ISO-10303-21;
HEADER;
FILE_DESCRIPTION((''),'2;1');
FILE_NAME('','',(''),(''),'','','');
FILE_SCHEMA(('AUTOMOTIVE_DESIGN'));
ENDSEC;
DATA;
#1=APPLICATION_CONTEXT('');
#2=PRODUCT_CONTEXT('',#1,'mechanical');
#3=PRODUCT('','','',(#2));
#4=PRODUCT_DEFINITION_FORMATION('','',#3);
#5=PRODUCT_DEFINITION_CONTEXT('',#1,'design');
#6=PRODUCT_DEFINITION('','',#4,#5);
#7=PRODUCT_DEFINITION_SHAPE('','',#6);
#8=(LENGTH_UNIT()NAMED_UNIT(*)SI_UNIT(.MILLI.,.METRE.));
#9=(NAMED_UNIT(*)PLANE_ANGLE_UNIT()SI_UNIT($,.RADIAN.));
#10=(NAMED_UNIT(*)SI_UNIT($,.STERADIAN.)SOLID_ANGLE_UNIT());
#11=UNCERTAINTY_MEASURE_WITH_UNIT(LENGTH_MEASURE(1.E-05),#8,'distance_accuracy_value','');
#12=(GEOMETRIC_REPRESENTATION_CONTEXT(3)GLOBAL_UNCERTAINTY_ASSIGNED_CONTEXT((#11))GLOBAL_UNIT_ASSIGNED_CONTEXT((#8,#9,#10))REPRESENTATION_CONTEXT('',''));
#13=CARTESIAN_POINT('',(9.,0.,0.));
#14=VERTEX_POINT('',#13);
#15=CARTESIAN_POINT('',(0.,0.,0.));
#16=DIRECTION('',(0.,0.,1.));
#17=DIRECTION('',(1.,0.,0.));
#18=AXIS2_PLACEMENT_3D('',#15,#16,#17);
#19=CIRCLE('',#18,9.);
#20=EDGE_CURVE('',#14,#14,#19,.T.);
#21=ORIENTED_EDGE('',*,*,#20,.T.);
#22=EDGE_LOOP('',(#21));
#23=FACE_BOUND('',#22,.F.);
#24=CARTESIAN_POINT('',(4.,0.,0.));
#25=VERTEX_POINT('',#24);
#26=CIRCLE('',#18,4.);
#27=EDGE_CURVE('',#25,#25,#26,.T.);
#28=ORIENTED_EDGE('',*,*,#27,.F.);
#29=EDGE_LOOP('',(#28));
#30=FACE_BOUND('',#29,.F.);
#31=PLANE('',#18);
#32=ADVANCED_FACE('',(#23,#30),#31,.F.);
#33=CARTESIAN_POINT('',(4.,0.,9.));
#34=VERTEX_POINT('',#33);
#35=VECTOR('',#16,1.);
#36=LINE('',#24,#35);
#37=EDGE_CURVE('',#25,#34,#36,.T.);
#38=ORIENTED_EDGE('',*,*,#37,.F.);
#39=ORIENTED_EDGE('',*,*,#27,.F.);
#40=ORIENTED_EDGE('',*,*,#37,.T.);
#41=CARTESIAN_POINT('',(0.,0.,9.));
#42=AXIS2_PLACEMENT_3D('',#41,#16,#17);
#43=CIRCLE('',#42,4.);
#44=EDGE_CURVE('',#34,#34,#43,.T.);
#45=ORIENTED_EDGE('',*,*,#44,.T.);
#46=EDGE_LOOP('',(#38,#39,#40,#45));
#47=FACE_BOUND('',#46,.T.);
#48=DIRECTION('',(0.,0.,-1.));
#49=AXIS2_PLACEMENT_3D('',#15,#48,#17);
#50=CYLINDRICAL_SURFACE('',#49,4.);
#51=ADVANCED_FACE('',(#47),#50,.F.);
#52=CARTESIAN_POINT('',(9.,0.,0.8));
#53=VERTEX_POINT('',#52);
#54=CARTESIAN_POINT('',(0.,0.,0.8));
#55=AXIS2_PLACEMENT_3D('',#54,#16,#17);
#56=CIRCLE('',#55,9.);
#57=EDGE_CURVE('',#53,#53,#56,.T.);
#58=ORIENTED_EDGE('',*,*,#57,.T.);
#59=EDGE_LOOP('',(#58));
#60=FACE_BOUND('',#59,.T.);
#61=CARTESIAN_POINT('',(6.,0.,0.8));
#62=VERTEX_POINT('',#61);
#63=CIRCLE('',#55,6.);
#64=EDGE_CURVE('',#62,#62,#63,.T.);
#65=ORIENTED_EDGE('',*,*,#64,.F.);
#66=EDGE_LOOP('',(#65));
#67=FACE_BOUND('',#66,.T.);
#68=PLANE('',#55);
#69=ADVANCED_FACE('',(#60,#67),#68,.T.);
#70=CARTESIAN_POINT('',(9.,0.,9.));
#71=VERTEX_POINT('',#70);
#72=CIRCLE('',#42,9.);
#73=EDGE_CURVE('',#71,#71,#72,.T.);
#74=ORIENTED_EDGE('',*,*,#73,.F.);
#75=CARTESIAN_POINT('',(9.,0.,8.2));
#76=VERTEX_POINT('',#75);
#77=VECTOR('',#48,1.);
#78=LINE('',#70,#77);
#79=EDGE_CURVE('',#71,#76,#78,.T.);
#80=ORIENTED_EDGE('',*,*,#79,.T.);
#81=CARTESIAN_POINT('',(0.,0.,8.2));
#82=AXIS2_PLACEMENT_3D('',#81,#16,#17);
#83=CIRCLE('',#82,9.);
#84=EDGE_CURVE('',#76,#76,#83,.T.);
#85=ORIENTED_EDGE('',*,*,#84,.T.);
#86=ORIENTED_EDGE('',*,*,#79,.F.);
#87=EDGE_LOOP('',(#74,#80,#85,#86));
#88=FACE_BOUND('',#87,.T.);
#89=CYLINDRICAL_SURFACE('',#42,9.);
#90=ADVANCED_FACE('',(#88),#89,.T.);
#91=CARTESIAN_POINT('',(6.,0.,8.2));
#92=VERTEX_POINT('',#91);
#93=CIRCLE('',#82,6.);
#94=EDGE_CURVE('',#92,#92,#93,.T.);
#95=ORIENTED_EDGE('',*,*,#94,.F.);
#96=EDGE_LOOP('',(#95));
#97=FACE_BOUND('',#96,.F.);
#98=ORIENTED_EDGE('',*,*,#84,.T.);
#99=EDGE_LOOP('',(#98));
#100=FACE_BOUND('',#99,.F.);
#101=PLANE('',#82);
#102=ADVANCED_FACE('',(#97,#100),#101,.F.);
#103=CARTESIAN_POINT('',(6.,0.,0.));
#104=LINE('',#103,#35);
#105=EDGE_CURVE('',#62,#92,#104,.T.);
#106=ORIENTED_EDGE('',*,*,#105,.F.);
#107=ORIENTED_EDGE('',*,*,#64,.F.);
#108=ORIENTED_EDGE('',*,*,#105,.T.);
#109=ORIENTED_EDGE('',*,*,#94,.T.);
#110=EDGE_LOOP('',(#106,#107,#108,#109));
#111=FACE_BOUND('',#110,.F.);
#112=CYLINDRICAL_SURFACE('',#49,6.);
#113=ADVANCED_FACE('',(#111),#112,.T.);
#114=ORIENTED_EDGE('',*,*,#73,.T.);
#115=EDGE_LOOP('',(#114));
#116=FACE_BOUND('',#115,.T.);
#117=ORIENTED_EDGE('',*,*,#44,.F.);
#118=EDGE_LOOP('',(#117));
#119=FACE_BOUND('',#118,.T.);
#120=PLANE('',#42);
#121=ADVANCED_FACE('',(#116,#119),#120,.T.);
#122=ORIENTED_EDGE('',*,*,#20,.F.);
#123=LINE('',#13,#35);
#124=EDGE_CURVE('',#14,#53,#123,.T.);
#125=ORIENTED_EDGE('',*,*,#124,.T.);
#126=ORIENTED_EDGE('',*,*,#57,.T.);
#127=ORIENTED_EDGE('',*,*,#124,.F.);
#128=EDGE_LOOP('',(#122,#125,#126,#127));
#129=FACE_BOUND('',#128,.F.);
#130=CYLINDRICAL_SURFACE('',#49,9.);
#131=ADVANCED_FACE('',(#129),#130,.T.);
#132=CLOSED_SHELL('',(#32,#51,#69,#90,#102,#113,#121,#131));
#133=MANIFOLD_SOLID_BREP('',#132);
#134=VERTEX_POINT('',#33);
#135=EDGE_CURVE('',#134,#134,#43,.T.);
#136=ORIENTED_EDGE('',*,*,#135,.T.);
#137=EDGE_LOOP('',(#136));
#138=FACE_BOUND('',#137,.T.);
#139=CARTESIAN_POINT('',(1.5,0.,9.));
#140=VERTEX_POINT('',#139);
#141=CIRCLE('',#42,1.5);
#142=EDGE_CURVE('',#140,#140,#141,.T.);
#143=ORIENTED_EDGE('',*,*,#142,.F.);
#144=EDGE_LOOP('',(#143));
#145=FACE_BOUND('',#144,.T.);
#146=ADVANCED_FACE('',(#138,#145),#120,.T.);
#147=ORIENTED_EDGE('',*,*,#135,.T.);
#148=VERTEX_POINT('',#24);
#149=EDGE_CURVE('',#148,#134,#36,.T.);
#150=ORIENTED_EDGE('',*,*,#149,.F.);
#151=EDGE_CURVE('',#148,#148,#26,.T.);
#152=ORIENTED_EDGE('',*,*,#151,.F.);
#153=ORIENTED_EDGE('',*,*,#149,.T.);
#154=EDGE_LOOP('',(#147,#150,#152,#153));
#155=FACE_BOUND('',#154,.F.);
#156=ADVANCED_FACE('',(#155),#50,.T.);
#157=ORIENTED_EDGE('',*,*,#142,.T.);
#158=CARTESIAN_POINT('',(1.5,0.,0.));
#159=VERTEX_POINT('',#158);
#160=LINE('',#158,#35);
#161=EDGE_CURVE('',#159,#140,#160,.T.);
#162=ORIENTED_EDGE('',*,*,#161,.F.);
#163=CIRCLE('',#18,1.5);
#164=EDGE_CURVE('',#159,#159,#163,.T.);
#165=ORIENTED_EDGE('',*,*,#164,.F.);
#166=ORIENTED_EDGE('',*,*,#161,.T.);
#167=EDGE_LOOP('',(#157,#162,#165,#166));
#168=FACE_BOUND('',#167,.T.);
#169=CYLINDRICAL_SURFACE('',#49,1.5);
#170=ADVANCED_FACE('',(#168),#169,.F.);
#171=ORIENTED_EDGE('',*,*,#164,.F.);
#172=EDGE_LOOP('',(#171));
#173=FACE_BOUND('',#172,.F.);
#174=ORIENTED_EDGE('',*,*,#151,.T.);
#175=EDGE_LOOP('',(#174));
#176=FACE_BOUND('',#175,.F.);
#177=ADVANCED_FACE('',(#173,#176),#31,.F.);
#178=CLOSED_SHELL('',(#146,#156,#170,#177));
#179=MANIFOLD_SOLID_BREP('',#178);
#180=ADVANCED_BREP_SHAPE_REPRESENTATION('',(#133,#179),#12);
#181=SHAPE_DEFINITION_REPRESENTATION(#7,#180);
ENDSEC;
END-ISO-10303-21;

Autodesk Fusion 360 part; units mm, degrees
sketch "Sketch1" plane through (0, 0, 0) normal (0, 0, 1) x (1, 0, 0)
  circle A0 centre (0, 0) radius 1.5
  circle A1 centre (0, 0) radius 4
  circle A2 centre (0, 0) radius 6
  circle A3 centre (0, 0) radius 9
  dimension "d1" = 3
  dimension "d2" = 8
  dimension "d3" = 12
  dimension "d4" = 18
extrude "Extrude1" add sketch "Sketch1" along normal blind 9 contours A1 makes body 1
extrude "Extrude2" add sketch "Sketch1" along normal blind 9 separate body contours A2 makes body 2
extrude "Extrude3" add sketch "Sketch1" along normal blind 0.8 contours A3 bodies 2
extrude "Extrude4" add sketch "Sketch1" against normal blind 0.8 from surface at 9 contours A3 bodies 2
